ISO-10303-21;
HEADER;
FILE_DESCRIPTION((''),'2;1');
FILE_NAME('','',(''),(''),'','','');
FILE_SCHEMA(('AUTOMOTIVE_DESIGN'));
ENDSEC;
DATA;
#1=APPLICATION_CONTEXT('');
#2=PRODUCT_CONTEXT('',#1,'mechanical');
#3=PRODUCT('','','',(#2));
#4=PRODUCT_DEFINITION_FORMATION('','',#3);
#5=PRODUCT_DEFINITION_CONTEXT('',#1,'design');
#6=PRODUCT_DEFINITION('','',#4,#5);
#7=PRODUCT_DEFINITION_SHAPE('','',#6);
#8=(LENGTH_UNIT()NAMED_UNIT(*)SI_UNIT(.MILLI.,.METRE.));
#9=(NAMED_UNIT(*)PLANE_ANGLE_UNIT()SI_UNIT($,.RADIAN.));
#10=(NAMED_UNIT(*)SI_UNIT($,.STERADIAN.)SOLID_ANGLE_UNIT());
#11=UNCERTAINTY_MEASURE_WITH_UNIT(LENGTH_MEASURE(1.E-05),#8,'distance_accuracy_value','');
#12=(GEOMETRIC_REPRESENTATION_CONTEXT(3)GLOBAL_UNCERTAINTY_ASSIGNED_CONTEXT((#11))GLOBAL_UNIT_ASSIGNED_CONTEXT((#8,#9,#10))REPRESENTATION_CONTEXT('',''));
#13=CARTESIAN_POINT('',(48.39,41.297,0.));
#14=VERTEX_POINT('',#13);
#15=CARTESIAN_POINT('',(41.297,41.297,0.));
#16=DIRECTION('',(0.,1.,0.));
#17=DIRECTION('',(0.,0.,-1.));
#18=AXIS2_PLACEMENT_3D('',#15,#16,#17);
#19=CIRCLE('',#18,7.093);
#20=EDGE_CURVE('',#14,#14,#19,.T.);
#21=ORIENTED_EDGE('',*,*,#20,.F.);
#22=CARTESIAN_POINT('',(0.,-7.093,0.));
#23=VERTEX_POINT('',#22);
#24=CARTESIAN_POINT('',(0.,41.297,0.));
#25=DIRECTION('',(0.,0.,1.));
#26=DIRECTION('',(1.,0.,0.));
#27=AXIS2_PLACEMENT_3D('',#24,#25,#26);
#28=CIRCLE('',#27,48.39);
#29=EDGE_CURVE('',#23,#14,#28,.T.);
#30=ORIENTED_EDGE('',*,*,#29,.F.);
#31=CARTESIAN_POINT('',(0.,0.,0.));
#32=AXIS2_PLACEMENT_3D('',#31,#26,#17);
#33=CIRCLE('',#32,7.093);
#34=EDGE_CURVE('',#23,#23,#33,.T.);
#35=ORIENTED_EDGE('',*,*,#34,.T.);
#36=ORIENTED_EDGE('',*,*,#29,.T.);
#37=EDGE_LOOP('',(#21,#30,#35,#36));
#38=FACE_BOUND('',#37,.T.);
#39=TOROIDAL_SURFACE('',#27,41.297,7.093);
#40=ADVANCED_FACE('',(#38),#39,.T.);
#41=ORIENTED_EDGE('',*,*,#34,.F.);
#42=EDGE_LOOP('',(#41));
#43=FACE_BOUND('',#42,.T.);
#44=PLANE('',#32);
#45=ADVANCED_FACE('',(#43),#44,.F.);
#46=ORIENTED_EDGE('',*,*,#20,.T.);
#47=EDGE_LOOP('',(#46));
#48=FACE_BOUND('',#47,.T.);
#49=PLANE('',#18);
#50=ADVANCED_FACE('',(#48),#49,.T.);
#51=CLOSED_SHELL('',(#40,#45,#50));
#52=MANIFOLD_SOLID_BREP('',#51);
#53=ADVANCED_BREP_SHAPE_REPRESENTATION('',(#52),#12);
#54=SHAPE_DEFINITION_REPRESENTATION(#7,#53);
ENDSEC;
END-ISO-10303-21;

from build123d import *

# Parameters (mm, degrees)
SWEEPSECTION_R = 7.093


with BuildPart() as part:
    # OrdinarySweptBoss: sweep along a path in SweepPath
    with BuildLine(Plane.XY) as ordinarysweptboss_path:
        ThreePointArc((0, 0), (29.201388743, 12.095611257), (41.297, 41.297))
    # SweepSection → OrdinarySweptBoss (sweep)
    with BuildSketch(Plane(origin=(0, 0, 0), x_dir=(0, 0, -1), z_dir=(1, 0, 0))):
        Circle(SWEEPSECTION_R)
    sweep(path=ordinarysweptboss_path.line)


solid = part.part
